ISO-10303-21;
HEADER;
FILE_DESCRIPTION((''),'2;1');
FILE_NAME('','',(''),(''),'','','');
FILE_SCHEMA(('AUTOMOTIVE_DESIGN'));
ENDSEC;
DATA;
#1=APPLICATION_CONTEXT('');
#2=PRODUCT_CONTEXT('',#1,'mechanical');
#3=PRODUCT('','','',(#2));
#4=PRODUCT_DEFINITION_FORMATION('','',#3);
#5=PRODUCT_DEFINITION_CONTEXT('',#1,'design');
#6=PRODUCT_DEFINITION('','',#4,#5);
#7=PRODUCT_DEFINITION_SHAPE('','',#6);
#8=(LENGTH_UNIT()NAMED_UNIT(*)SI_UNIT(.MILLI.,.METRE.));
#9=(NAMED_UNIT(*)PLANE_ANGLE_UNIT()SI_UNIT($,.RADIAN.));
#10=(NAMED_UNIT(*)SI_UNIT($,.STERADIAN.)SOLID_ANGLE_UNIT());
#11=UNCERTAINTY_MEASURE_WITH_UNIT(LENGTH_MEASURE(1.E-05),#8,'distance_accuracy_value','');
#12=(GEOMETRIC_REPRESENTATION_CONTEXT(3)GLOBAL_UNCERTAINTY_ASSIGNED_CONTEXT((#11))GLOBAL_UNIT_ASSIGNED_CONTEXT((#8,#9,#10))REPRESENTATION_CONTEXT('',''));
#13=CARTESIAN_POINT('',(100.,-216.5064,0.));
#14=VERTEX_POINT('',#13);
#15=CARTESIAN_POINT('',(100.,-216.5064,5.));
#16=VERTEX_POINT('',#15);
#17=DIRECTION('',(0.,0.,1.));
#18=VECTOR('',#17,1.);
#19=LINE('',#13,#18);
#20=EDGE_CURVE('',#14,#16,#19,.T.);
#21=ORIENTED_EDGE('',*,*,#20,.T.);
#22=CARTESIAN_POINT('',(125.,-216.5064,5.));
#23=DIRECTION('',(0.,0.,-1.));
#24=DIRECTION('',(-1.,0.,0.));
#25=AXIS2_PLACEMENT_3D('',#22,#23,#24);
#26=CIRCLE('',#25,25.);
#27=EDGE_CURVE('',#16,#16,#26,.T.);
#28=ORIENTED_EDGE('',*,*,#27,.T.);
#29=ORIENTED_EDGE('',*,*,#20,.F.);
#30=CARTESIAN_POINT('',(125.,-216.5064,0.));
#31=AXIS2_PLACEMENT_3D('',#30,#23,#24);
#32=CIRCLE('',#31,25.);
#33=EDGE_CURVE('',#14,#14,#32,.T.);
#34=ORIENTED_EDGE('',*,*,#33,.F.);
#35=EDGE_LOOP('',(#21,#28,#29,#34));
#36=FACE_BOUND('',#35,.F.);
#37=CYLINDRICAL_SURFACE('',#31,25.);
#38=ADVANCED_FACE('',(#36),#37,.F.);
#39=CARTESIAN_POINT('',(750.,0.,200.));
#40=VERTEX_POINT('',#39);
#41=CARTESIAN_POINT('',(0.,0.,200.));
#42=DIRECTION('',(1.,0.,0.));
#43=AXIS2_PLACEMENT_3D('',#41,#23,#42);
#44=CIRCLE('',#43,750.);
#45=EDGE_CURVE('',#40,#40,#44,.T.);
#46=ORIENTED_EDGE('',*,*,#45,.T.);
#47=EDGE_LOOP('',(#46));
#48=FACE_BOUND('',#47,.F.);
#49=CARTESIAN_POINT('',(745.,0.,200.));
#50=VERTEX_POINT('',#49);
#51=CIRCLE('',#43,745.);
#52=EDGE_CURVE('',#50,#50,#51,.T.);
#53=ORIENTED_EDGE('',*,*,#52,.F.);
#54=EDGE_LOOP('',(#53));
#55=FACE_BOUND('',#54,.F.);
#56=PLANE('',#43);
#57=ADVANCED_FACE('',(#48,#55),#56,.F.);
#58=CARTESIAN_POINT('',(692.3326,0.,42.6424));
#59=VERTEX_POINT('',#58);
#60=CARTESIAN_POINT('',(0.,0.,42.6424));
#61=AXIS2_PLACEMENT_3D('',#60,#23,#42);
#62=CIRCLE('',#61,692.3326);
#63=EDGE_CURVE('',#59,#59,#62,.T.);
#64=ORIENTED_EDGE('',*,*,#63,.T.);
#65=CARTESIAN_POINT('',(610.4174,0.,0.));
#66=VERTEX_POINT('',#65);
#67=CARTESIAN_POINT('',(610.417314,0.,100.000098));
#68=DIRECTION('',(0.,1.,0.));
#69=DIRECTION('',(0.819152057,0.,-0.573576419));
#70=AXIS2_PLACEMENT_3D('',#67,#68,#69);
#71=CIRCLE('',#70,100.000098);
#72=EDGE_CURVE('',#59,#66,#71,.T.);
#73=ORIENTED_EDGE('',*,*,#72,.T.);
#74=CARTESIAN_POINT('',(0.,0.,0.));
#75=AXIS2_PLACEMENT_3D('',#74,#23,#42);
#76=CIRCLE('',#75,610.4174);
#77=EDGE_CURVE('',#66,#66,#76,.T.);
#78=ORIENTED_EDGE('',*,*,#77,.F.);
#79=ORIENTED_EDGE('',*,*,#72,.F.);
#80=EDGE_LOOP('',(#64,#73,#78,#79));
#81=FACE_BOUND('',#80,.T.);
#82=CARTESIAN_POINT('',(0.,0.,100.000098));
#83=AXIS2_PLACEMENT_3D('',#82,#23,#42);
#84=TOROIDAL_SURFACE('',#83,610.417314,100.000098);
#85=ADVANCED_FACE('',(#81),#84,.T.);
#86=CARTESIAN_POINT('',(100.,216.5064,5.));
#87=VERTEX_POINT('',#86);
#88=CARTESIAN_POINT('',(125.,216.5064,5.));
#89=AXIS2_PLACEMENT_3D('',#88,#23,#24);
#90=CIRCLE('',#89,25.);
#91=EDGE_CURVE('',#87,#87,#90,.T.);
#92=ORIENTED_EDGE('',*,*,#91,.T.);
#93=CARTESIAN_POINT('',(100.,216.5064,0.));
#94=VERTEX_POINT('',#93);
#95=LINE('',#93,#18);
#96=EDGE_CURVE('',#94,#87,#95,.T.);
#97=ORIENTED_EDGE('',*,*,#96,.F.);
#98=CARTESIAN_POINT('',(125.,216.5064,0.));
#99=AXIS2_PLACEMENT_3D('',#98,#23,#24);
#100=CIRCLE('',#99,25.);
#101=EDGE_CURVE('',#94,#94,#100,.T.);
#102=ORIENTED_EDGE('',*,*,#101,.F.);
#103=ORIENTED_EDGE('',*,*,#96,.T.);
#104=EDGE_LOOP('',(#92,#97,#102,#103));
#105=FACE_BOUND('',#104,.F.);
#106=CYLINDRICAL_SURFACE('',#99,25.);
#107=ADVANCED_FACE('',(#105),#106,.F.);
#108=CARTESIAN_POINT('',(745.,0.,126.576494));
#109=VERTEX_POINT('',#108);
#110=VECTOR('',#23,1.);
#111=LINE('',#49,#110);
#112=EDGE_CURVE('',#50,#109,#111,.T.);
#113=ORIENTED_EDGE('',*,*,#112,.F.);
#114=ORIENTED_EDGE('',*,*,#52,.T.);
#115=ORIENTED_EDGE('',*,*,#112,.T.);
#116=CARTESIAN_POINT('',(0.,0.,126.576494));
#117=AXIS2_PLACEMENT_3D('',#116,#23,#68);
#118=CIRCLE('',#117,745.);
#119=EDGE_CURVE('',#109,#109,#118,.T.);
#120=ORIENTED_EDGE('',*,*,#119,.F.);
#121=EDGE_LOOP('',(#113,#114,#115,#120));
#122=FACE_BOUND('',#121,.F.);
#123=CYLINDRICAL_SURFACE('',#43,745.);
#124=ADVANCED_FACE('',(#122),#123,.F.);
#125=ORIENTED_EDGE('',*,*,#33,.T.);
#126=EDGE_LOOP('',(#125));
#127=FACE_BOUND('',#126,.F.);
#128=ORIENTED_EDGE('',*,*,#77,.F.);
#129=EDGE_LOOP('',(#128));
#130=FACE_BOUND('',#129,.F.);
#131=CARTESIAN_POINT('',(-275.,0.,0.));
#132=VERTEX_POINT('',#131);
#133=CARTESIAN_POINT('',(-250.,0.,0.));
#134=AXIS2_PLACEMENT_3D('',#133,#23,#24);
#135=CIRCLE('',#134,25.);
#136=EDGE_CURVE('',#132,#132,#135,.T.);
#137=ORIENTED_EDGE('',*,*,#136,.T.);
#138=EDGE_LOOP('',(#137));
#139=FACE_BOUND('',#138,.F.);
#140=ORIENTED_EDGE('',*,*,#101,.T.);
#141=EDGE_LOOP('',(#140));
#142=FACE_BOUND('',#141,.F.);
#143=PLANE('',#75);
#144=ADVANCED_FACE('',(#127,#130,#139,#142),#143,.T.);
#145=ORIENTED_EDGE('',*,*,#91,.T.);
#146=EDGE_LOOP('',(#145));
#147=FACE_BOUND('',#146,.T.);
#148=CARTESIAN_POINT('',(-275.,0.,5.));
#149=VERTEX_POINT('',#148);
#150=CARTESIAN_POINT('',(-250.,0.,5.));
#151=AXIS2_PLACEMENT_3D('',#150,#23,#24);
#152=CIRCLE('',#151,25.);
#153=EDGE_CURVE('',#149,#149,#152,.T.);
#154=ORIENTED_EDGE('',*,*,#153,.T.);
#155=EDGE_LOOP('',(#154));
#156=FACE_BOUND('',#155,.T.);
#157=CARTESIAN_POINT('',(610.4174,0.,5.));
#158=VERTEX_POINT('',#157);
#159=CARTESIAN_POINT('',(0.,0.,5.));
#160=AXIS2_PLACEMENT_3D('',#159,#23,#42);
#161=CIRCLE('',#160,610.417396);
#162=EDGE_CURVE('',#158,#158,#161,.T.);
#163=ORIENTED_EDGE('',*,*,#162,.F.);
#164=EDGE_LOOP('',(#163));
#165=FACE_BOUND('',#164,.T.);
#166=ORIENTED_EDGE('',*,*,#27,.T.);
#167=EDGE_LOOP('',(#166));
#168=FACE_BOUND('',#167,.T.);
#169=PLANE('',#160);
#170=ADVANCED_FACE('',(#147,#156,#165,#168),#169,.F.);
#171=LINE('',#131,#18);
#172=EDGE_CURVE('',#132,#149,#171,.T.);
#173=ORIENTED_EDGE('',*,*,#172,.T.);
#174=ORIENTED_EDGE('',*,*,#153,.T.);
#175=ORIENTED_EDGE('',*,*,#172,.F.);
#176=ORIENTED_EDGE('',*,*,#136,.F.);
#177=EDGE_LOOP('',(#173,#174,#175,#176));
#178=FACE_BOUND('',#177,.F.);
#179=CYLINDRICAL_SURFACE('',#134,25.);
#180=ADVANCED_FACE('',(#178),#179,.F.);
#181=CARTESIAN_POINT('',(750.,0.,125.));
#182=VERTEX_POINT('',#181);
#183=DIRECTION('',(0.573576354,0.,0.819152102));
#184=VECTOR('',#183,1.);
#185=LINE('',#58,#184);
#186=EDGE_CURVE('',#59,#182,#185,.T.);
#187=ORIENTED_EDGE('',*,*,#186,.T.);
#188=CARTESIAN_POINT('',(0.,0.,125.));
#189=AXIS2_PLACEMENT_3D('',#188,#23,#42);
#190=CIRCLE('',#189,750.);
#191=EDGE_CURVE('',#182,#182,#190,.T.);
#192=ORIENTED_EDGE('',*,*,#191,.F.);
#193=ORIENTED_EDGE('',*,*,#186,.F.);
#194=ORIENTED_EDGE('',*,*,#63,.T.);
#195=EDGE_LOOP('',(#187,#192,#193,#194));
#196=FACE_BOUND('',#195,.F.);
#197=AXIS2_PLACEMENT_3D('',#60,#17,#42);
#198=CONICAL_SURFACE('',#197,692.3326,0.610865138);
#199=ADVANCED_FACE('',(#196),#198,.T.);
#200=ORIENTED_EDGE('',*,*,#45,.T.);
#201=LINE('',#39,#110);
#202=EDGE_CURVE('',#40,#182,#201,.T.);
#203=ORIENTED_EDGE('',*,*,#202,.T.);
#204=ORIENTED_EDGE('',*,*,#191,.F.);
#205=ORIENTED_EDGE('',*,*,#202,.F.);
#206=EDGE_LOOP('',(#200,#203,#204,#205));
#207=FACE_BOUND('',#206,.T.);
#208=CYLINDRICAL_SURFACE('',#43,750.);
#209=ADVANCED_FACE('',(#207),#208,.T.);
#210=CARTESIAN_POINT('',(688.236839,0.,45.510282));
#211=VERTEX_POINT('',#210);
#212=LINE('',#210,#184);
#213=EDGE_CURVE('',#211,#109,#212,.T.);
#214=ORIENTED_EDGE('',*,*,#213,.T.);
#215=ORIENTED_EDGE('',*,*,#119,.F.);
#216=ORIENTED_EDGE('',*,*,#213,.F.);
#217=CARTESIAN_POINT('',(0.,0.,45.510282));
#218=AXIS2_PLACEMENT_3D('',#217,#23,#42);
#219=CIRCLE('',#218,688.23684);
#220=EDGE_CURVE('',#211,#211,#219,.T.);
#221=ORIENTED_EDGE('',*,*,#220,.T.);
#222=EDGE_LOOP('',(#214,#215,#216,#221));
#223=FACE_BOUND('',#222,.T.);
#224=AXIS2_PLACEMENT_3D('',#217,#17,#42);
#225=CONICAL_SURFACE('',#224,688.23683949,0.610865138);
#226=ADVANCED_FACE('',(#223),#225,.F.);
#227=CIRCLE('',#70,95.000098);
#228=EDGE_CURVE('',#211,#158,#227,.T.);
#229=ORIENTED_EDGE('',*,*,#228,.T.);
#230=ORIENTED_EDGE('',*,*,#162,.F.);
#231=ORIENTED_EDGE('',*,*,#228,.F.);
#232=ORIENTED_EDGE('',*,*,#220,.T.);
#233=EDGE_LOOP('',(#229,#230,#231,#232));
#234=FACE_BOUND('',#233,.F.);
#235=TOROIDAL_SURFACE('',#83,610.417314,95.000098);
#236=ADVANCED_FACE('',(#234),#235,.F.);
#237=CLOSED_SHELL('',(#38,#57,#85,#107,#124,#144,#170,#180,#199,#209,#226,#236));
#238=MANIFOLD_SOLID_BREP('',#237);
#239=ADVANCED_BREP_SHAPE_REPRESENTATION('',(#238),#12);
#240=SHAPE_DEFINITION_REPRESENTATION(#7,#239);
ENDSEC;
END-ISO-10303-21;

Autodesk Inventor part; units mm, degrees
ref_plane "YZ Plane" through (0, 0, 0) normal (1, 0, 0) x (0, 1, 0)
ref_plane "XZ Plane" through (0, 0, 0) normal (0, 1, 0) x (-1, 0, 0)
ref_plane "XY Plane" through (0, 0, 0) normal (0, 0, 1) x (1, 0, 0)
sketch "Sketch2" plane through (0, 0, 0) normal (0, 1, 0) x (-1, 0, 0)
  line L0 (0, 0) -> (-610.4174, 0)
  line L1 (-692.3326, 42.6424) -> (-750, 125)
  line L2 (-750, 200) -> (0, 200)
  line L3 (0, 200) -> (0, 0)
  arc A0 (-692.3326, 42.6424) -> (-610.4174, 0) centre (-610.4174, 100) ccw
  line L4 (-750, 200) -> (-750, 125)
  dimension "d0" = 100
  dimension "d1" = 200
  dimension "d2" = 750
  dimension "d3" = 125
  dimension "d4" = 75
revolve "Revolution1" add sketch "Sketch2" angle 360 about axis through (0, 0, 200) along (0, 0, -1)
shell "Shell1" thickness 5 removed faces 1 at (-44.9023, -186.6904, 200)
sketch "Sketch4" plane through (0, 0, 0) normal (0, 0, -1) x (-1, 0, 0)
  line L0 (1050, 0) -> (-1050, 0) construction
  line L1 (0, -1050) -> (0, 1050) construction
  circle A0 centre (-125, -216.5064) radius 25
  line L2 (-125, -216.5064) -> (0, 0) construction
  circle A1 centre (250, 0) radius 25
  circle A2 centre (-125, 216.5064) radius 25
  dimension "d8" = 50
  dimension "d9" = 60
  dimension "d10" = 250
  dimension "d13" = 360
extrude "Extrusion1" cut sketch "Sketch4" against normal through all
properties part number "Saucer"
